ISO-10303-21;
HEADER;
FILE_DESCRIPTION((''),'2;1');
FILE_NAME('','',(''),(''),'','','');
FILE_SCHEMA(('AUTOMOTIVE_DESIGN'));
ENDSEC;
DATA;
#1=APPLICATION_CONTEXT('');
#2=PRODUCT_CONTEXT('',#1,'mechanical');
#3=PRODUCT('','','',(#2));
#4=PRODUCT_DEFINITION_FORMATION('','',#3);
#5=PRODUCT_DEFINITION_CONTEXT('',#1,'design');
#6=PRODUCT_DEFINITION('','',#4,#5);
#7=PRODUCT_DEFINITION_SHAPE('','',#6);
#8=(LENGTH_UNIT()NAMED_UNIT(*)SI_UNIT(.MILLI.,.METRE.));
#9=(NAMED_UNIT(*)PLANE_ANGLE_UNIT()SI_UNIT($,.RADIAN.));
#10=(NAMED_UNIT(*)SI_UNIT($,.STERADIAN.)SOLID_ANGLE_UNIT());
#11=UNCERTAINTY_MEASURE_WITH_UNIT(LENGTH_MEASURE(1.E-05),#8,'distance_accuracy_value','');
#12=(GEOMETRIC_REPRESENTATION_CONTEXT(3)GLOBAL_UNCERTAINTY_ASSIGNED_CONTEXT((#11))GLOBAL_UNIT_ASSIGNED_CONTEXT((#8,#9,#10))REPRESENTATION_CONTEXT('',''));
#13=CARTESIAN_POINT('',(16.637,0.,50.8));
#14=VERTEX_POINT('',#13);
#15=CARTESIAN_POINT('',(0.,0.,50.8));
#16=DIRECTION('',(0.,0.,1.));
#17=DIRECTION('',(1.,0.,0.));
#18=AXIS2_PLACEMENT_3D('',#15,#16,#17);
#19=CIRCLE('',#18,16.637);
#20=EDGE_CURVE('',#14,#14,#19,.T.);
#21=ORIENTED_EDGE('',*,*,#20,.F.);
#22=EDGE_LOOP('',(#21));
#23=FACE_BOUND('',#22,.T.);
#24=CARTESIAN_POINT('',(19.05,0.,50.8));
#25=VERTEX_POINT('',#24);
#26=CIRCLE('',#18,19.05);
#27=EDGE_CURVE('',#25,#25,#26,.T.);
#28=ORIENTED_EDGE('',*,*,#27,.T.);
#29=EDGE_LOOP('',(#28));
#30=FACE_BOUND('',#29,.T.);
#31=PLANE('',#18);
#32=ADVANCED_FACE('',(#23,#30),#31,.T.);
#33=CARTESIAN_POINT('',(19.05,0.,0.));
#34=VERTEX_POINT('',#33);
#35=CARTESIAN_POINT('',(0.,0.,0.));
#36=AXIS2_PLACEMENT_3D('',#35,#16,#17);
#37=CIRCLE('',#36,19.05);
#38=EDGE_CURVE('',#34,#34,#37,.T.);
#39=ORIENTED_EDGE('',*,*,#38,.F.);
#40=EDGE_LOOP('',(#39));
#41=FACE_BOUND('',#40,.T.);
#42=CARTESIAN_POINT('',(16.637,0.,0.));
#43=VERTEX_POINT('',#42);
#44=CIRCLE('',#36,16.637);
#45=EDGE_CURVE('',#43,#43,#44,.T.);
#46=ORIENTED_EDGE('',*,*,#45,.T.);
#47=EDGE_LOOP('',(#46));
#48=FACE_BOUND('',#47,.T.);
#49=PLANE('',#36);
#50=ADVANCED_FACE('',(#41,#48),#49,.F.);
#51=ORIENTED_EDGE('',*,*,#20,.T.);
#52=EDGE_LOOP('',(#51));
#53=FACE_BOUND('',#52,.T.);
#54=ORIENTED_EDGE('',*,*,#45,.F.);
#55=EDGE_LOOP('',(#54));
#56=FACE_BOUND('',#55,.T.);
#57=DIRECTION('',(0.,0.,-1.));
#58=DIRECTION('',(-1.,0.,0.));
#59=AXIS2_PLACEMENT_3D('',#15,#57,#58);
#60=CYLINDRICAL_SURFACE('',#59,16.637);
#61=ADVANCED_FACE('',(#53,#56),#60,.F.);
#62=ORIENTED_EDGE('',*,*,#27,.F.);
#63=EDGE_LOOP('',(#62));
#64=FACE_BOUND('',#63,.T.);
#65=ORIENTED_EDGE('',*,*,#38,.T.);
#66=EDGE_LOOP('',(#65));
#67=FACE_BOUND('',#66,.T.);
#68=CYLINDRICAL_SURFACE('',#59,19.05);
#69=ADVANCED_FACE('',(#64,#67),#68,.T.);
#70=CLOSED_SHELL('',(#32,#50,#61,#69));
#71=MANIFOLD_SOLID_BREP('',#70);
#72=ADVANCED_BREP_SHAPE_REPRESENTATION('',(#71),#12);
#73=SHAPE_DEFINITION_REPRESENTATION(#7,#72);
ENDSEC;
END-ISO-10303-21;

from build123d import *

# Parameters (mm, degrees)
SKETCH1_R      = 19.05
SKETCH1_R_2    = 16.637
EXTRUDE1_DEPTH = 50.8


with BuildPart() as part:
    # Sketch1 → Extrude1 (new body)
    with BuildSketch(Plane.XY):
        Circle(SKETCH1_R)
        Circle(SKETCH1_R_2, mode=Mode.SUBTRACT)
    extrude(amount=EXTRUDE1_DEPTH)


solid = part.part
